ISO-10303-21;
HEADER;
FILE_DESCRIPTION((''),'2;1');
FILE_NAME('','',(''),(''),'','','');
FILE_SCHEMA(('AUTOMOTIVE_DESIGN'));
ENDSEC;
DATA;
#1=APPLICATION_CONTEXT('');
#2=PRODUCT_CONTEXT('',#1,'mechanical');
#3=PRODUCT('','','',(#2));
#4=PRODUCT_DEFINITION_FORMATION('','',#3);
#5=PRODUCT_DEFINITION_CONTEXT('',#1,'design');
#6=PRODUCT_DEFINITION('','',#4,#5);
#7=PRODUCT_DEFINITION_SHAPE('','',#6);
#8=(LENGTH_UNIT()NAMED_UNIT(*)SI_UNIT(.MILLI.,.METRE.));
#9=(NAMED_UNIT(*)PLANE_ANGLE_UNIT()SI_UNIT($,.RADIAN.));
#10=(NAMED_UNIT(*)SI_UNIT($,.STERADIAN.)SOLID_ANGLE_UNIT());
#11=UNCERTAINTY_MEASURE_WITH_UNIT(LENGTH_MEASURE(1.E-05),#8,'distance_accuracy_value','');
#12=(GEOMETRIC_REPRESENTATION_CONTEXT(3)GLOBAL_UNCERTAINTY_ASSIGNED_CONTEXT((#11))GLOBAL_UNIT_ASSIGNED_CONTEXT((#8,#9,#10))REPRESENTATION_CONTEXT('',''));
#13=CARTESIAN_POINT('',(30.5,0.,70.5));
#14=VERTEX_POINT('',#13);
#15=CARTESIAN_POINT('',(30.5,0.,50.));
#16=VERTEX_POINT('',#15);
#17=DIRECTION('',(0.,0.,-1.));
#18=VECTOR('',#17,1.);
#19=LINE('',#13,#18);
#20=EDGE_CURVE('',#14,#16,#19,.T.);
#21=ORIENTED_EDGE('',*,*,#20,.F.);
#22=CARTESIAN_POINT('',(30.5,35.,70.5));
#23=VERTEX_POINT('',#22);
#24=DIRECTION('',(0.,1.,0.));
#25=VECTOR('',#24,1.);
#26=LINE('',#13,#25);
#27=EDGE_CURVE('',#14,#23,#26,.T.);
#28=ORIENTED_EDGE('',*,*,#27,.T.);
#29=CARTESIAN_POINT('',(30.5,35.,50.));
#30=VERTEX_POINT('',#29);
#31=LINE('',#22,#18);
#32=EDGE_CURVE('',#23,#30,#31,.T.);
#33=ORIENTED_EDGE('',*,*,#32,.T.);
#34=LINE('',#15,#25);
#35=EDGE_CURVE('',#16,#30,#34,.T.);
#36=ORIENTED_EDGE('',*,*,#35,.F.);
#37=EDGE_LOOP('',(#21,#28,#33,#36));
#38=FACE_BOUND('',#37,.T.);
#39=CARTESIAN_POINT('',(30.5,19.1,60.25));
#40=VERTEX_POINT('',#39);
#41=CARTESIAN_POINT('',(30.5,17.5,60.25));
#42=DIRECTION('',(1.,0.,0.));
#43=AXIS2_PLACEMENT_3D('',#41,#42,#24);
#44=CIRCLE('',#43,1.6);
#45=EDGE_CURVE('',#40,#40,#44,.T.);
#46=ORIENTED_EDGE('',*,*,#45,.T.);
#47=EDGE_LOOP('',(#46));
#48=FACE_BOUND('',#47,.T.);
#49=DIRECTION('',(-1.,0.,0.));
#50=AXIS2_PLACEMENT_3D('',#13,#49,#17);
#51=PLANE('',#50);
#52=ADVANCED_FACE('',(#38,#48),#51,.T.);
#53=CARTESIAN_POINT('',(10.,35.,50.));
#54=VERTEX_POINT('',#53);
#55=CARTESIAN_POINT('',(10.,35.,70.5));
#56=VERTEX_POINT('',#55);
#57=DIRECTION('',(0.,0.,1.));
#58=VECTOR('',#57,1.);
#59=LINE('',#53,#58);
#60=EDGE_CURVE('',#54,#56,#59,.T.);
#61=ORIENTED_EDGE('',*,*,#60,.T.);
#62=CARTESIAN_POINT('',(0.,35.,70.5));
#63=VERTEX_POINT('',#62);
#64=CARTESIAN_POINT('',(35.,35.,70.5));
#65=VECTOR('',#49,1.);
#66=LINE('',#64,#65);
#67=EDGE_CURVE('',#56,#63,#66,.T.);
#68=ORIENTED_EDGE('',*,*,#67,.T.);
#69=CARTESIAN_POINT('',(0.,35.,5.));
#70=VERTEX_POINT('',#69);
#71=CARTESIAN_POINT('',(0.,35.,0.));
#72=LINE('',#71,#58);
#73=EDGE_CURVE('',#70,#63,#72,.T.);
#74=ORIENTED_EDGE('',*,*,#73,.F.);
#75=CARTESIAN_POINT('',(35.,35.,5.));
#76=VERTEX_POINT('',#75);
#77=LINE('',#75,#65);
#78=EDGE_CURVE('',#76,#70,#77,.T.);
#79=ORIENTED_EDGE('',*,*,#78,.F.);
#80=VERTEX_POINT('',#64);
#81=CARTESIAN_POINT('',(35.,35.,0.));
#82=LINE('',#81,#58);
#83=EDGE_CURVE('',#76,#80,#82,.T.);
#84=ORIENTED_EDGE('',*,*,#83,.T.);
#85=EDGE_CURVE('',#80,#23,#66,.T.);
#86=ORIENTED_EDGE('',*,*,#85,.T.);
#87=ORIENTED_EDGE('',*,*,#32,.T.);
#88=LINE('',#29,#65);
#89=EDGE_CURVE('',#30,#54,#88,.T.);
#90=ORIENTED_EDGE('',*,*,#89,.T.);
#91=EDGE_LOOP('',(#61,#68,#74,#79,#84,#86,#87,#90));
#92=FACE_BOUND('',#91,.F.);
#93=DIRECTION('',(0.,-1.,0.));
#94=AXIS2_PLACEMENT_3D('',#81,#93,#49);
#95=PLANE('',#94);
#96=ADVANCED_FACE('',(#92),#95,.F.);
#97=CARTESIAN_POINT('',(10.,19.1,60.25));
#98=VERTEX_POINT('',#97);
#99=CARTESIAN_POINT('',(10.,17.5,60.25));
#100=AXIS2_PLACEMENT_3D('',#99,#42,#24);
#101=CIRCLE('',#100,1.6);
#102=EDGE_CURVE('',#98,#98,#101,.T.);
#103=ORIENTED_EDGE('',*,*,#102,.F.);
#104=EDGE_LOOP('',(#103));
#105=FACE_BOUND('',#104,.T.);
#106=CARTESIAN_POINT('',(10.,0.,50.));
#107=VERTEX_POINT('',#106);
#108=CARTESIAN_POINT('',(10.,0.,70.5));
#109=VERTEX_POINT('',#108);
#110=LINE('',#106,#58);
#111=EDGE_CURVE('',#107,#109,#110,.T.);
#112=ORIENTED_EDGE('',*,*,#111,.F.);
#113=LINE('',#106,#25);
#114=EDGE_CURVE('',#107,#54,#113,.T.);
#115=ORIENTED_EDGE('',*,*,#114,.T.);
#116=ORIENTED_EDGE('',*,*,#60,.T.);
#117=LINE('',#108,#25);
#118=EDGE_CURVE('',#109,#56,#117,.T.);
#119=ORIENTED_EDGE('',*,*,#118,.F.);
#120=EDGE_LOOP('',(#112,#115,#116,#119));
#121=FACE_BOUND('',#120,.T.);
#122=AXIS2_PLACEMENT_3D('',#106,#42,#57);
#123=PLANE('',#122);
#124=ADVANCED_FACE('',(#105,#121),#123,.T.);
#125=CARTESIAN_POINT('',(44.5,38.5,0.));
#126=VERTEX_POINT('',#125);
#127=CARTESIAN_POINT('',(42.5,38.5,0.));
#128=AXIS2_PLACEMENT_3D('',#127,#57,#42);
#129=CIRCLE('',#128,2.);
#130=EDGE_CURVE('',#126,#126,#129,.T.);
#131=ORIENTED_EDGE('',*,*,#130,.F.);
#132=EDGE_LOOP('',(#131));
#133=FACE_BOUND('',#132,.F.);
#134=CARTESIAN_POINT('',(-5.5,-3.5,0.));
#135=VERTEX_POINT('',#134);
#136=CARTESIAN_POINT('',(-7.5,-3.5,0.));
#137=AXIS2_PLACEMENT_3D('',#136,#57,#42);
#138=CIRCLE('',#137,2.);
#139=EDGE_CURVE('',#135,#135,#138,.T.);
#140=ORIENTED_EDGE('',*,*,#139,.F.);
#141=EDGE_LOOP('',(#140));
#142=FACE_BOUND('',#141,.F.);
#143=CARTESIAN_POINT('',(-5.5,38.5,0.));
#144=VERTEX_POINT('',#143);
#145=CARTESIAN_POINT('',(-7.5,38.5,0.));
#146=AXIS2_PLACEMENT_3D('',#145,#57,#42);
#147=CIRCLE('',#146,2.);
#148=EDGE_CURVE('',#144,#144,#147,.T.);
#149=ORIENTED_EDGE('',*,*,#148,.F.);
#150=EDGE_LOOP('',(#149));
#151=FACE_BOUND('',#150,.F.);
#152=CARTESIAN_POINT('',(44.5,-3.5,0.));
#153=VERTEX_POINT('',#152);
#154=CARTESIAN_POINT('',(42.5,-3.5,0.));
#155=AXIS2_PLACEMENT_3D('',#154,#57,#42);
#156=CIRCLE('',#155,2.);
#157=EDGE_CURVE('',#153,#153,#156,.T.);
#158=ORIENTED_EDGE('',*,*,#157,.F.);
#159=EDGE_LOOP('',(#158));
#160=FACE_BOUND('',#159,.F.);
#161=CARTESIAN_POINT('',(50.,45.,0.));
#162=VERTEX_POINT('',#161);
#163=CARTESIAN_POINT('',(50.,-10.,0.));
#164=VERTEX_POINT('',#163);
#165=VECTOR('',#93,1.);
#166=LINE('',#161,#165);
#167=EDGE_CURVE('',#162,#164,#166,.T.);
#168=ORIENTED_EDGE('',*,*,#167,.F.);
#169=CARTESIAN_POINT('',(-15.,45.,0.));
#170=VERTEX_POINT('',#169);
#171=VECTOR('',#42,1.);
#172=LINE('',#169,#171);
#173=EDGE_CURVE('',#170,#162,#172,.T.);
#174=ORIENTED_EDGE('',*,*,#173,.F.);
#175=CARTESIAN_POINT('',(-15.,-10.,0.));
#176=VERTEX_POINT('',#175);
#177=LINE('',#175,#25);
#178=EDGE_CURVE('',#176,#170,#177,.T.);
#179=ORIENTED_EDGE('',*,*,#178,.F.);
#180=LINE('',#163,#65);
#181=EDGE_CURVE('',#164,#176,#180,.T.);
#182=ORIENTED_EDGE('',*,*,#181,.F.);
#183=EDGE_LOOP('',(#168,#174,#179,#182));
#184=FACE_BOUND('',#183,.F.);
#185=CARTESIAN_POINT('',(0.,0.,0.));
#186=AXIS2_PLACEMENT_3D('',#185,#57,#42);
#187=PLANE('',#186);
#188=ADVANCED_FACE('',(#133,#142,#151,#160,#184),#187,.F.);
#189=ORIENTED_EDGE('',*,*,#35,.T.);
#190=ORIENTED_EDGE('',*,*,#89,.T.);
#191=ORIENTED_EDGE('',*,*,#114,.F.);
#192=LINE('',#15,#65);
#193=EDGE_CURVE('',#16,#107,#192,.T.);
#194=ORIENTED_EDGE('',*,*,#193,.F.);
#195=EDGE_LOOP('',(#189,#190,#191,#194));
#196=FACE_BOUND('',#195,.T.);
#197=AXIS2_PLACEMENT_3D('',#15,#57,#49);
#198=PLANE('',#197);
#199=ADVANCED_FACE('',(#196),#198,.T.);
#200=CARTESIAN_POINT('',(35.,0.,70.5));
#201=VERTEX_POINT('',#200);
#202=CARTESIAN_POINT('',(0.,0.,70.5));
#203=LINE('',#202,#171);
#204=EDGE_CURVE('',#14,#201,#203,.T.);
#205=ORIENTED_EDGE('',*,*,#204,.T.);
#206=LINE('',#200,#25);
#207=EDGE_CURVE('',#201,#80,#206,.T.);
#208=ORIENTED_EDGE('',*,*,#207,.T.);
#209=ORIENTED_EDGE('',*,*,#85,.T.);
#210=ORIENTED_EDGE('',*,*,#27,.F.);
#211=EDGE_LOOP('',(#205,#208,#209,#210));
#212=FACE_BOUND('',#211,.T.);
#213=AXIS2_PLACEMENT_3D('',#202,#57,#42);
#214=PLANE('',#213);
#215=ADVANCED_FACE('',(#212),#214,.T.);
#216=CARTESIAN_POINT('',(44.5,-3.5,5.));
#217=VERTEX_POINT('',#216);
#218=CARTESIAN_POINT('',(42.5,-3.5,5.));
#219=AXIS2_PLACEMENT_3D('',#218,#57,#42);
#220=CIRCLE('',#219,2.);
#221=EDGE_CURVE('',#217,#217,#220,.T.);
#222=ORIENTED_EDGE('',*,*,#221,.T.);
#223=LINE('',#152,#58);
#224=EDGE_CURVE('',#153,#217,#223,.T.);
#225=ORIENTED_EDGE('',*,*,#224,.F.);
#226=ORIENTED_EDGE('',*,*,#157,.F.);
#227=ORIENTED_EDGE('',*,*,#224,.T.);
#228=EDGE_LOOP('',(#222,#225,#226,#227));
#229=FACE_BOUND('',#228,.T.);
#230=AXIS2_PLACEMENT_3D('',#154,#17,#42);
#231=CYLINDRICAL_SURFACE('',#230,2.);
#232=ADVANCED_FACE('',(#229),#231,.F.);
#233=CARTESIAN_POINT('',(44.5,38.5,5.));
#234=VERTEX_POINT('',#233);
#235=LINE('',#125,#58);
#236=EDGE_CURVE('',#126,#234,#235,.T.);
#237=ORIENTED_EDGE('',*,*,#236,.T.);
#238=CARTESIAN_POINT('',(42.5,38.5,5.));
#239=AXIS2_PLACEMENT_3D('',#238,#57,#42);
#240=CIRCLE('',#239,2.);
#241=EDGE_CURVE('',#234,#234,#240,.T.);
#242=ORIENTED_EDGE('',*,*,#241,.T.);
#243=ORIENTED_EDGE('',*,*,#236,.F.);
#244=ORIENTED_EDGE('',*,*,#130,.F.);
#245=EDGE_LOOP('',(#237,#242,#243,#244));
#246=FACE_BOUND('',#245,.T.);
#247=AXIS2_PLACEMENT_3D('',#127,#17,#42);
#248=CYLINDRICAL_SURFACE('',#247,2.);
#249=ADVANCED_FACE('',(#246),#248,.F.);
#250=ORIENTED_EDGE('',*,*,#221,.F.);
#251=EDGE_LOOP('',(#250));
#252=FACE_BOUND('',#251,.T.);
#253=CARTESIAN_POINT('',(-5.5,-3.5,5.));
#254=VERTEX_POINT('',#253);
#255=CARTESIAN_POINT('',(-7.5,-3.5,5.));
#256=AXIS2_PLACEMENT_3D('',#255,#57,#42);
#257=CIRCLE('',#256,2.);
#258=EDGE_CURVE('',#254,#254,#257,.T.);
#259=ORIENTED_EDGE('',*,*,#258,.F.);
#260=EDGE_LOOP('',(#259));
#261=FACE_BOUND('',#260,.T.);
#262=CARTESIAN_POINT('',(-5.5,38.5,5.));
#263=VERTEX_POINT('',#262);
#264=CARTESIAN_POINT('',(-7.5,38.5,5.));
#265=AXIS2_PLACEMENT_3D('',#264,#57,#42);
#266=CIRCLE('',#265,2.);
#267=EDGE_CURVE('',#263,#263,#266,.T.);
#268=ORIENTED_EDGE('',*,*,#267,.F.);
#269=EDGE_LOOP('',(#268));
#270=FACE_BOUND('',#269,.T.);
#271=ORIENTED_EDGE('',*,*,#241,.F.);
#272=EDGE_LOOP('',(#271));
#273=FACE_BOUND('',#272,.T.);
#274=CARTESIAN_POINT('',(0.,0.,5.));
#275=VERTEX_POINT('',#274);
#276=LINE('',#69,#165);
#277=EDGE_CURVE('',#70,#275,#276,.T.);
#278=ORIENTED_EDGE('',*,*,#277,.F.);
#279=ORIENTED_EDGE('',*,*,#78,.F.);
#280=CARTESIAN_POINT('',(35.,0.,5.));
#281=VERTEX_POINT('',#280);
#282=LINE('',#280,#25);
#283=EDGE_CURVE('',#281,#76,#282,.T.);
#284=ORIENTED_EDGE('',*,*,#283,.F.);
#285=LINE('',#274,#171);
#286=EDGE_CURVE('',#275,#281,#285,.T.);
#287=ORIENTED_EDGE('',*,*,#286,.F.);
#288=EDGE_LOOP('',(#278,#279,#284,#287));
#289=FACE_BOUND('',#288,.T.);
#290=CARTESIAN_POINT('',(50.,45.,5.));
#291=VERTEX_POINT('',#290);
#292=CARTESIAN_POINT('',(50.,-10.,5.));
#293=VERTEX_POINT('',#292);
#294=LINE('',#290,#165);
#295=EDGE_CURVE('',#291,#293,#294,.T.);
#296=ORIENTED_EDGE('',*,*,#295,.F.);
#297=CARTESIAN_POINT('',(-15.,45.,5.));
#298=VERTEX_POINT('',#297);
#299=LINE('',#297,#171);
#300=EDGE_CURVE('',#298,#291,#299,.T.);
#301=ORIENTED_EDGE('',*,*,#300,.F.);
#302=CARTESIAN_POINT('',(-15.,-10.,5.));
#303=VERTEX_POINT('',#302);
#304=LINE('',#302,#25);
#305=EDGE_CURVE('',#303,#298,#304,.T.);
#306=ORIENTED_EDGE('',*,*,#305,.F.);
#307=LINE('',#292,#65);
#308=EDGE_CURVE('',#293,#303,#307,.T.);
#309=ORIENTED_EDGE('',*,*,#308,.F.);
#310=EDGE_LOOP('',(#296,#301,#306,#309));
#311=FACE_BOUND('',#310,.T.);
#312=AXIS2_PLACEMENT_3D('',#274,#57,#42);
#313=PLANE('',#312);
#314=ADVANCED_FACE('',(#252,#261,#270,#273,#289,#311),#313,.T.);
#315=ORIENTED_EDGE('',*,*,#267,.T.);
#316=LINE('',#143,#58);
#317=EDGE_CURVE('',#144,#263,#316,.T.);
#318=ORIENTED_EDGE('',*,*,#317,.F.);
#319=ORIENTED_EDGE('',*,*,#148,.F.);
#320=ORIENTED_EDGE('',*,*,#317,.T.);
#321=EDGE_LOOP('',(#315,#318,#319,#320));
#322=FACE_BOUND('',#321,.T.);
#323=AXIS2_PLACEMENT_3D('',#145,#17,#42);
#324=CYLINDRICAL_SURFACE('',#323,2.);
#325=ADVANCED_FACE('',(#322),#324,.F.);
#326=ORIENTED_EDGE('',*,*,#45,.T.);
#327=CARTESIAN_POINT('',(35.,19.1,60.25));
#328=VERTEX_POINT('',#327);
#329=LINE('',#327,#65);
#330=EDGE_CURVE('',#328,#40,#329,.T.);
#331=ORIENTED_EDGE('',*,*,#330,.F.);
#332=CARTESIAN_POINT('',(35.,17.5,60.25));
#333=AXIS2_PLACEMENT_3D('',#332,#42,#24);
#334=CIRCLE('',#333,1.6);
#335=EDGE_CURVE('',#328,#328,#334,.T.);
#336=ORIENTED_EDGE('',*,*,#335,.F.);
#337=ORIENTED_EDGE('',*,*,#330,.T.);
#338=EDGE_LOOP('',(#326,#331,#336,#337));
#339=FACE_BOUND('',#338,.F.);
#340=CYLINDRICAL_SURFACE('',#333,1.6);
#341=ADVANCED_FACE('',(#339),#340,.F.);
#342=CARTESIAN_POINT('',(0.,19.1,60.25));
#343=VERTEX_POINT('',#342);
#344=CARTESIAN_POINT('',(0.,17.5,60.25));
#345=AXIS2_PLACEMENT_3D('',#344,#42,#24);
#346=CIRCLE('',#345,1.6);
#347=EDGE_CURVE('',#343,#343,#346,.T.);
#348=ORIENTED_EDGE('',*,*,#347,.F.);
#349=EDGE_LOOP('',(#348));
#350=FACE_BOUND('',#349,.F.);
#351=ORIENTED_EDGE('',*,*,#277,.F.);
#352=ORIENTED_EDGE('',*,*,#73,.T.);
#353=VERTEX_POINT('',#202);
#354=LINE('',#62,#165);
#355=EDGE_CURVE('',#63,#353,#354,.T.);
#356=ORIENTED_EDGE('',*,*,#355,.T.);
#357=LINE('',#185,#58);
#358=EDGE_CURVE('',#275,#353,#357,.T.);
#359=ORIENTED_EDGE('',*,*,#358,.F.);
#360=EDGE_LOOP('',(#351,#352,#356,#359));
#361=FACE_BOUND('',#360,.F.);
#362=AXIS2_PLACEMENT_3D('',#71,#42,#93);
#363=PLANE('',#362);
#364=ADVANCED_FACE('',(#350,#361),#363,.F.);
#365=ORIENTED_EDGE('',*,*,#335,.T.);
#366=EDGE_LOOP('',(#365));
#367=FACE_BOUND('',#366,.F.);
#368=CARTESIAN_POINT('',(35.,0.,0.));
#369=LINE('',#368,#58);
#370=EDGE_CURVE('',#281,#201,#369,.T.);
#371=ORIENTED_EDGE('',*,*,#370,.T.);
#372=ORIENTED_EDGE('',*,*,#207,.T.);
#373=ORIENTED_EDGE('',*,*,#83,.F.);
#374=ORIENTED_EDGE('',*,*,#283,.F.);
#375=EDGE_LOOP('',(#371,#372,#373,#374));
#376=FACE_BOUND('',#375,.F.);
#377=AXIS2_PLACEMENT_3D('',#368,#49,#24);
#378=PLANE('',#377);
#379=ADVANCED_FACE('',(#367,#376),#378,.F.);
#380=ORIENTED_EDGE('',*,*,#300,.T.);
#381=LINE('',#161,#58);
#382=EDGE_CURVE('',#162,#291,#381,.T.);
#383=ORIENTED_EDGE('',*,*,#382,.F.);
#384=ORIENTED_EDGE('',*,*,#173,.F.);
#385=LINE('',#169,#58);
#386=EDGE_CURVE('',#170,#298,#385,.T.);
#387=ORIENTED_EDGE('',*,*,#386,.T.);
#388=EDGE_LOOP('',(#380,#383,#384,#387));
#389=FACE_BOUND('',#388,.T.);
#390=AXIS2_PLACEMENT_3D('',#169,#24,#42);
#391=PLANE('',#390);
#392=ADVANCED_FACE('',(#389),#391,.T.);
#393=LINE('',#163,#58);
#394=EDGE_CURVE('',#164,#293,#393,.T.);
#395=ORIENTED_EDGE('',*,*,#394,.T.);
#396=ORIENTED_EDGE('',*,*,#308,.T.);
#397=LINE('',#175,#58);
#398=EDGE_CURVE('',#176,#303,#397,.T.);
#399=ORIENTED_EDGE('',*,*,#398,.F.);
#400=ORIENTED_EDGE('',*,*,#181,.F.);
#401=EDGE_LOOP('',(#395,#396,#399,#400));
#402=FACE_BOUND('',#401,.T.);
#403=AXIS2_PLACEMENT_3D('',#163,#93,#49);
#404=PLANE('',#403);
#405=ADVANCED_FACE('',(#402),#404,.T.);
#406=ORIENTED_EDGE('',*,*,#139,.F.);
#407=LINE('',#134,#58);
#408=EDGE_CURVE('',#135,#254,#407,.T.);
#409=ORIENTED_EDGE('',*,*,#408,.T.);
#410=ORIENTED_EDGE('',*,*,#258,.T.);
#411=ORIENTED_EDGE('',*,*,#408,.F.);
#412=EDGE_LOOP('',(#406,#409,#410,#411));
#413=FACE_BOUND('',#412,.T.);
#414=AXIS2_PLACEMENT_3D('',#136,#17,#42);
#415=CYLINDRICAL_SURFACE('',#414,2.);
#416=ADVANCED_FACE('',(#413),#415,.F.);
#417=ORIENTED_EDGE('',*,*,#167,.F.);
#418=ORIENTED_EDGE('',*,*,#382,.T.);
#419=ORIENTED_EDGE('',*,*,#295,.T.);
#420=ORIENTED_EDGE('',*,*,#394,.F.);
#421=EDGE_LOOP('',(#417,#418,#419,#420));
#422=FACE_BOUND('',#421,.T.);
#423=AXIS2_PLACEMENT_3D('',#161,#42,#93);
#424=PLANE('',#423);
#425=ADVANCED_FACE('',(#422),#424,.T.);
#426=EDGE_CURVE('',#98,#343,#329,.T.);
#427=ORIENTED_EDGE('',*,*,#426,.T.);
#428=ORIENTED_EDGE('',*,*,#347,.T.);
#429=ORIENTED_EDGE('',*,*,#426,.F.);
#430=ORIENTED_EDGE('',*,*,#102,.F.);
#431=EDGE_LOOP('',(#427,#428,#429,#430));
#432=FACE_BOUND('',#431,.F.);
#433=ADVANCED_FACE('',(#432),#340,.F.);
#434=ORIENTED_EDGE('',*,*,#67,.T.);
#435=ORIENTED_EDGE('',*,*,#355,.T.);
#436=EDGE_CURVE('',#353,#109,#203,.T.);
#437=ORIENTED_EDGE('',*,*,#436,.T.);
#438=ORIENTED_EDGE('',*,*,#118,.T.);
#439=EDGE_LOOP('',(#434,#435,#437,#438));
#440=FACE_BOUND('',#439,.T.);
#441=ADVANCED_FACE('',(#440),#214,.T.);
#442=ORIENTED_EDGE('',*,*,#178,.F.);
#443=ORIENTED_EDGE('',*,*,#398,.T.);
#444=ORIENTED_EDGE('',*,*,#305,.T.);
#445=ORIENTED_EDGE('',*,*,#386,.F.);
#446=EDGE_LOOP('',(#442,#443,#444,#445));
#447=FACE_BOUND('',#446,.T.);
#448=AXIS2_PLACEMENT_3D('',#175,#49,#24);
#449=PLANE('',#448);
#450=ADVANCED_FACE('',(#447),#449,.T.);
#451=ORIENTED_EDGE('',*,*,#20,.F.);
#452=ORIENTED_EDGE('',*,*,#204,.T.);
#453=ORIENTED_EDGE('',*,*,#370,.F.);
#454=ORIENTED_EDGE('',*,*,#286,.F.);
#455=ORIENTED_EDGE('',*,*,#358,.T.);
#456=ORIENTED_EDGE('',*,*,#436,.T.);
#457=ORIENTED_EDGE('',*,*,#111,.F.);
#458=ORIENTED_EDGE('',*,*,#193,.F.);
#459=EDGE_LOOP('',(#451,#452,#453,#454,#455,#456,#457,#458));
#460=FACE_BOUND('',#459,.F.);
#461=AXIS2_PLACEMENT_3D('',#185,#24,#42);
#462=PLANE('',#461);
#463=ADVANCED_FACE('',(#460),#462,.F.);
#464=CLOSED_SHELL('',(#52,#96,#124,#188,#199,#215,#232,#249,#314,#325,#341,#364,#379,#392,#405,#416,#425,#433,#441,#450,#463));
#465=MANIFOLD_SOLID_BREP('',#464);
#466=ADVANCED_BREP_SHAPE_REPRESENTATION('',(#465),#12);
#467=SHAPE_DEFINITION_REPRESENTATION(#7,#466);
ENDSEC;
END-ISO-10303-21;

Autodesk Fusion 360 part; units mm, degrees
sketch "Boceto2" plane through (0, 0, 0) normal (0, 0, 1) x (1, 0, 0)
  line L0 (0, 0) -> (35, 0)
  line L1 (35, 0) -> (35, 35)
  line L2 (35, 35) -> (0, 35)
  line L3 (0, 35) -> (0, 0)
  line L4 (50, -10) -> (-15, -10)
  line L5 (-15, -10) -> (-15, 45)
  line L6 (-15, 45) -> (50, 45)
  line L7 (50, 45) -> (50, -10)
  line L8 (50, -10) -> (-15, 45) construction
  line L9 (-15, -10) -> (50, 45) construction
  line L10 (42.5, 38.5) -> (-7.5, 38.5) construction
  line L11 (-7.5, 38.5) -> (-7.5, -3.5) construction
  line L12 (-7.5, -3.5) -> (42.5, -3.5) construction
  line L13 (42.5, -3.5) -> (42.5, 38.5) construction
  line L14 (42.5, 38.5) -> (-7.5, -3.5) construction
  line L15 (-7.5, 38.5) -> (42.5, -3.5) construction
  circle A0 centre (42.5, 38.5) radius 2
  line L16 (17.5, 45) -> (17.5, -10) construction
  line L17 (-15, 17.5) -> (50, 17.5) construction
  circle A1 centre (-7.5, 38.5) radius 2
  circle A2 centre (-7.5, -3.5) radius 2
  circle A3 centre (42.5, -3.5) radius 2
  point P0 (17.5, 17.5)
  point P1 (17.5, 17.5)
  dimension "d8" = 35
  dimension "d9" = 35
  dimension "d10" = 15
  dimension "d12" = 10
  dimension "d13" = 10
  dimension "d14" = 15
  dimension "d15" = 50
  dimension "d16" = 42
  dimension "d17" = 4
extrude "Extruir1" add sketch "Boceto2" along normal blind 70.5 contours L0 L1 L2 L3
sketch "Boceto3" plane through (0, 0, 0) normal (0, -1, 0) x (1, 0, 0)
  line L0 (0, 0) -> (35, 0)
  line L1 (35, 0) -> (35, 70.5)
  line L2 (35, 70.5) -> (0, 70.5)
  line L3 (0, 70.5) -> (0, 0)
  line L4 (0, 70.5) -> (10, 70.5)
  line L5 (10, 70.5) -> (30.5, 70.5)
  line L6 (30.5, 70.5) -> (30.5, 50)
  line L7 (30.5, 50) -> (10, 50)
  line L8 (10, 50) -> (10, 70.5)
  dimension "d3" = 10
  dimension "d4" = 20.5
  dimension "d5" = 20.5
extrude "Extruir2" cut sketch "Boceto3" against normal blind 35 contours L2 L5 L6 L7 L8
sketch "Boceto4" plane through (0, 0, 50) normal (0, 0, 1) x (-1, 0, 0)
  line L0 (-10, 0) -> (-30.5, 0)
  line L1 (-30.5, 0) -> (-30.5, -35)
  line L2 (-30.5, -35) -> (-10, -35)
  line L3 (-10, -35) -> (-10, 0)
  line L4 (-20.25, -35) -> (-20.25, 0)
extrude "Extruir3" add sketch "Boceto2" along normal blind 5
sketch "Boceto5" plane through (35, 0, 0) normal (1, 0, 0) x (0, 1, 0)
  line L0 (0, 5) -> (35, 5)
  line L1 (35, 5) -> (35, 70.5)
  line L2 (35, 70.5) -> (0, 70.5)
  line L3 (0, 70.5) -> (0, 5)
  line L4 (0, 70.5) -> (35, 70.5)
  line L5 (35, 70.5) -> (35, 50)
  line L6 (35, 50) -> (0, 50)
  line L7 (0, 50) -> (0, 70.5)
  circle A0 centre (17.5, 60.25) radius 1.6
  dimension "d20" = 3.2
extrude "Extruir4" cut sketch "Boceto5" against normal blind 45 contours A0
